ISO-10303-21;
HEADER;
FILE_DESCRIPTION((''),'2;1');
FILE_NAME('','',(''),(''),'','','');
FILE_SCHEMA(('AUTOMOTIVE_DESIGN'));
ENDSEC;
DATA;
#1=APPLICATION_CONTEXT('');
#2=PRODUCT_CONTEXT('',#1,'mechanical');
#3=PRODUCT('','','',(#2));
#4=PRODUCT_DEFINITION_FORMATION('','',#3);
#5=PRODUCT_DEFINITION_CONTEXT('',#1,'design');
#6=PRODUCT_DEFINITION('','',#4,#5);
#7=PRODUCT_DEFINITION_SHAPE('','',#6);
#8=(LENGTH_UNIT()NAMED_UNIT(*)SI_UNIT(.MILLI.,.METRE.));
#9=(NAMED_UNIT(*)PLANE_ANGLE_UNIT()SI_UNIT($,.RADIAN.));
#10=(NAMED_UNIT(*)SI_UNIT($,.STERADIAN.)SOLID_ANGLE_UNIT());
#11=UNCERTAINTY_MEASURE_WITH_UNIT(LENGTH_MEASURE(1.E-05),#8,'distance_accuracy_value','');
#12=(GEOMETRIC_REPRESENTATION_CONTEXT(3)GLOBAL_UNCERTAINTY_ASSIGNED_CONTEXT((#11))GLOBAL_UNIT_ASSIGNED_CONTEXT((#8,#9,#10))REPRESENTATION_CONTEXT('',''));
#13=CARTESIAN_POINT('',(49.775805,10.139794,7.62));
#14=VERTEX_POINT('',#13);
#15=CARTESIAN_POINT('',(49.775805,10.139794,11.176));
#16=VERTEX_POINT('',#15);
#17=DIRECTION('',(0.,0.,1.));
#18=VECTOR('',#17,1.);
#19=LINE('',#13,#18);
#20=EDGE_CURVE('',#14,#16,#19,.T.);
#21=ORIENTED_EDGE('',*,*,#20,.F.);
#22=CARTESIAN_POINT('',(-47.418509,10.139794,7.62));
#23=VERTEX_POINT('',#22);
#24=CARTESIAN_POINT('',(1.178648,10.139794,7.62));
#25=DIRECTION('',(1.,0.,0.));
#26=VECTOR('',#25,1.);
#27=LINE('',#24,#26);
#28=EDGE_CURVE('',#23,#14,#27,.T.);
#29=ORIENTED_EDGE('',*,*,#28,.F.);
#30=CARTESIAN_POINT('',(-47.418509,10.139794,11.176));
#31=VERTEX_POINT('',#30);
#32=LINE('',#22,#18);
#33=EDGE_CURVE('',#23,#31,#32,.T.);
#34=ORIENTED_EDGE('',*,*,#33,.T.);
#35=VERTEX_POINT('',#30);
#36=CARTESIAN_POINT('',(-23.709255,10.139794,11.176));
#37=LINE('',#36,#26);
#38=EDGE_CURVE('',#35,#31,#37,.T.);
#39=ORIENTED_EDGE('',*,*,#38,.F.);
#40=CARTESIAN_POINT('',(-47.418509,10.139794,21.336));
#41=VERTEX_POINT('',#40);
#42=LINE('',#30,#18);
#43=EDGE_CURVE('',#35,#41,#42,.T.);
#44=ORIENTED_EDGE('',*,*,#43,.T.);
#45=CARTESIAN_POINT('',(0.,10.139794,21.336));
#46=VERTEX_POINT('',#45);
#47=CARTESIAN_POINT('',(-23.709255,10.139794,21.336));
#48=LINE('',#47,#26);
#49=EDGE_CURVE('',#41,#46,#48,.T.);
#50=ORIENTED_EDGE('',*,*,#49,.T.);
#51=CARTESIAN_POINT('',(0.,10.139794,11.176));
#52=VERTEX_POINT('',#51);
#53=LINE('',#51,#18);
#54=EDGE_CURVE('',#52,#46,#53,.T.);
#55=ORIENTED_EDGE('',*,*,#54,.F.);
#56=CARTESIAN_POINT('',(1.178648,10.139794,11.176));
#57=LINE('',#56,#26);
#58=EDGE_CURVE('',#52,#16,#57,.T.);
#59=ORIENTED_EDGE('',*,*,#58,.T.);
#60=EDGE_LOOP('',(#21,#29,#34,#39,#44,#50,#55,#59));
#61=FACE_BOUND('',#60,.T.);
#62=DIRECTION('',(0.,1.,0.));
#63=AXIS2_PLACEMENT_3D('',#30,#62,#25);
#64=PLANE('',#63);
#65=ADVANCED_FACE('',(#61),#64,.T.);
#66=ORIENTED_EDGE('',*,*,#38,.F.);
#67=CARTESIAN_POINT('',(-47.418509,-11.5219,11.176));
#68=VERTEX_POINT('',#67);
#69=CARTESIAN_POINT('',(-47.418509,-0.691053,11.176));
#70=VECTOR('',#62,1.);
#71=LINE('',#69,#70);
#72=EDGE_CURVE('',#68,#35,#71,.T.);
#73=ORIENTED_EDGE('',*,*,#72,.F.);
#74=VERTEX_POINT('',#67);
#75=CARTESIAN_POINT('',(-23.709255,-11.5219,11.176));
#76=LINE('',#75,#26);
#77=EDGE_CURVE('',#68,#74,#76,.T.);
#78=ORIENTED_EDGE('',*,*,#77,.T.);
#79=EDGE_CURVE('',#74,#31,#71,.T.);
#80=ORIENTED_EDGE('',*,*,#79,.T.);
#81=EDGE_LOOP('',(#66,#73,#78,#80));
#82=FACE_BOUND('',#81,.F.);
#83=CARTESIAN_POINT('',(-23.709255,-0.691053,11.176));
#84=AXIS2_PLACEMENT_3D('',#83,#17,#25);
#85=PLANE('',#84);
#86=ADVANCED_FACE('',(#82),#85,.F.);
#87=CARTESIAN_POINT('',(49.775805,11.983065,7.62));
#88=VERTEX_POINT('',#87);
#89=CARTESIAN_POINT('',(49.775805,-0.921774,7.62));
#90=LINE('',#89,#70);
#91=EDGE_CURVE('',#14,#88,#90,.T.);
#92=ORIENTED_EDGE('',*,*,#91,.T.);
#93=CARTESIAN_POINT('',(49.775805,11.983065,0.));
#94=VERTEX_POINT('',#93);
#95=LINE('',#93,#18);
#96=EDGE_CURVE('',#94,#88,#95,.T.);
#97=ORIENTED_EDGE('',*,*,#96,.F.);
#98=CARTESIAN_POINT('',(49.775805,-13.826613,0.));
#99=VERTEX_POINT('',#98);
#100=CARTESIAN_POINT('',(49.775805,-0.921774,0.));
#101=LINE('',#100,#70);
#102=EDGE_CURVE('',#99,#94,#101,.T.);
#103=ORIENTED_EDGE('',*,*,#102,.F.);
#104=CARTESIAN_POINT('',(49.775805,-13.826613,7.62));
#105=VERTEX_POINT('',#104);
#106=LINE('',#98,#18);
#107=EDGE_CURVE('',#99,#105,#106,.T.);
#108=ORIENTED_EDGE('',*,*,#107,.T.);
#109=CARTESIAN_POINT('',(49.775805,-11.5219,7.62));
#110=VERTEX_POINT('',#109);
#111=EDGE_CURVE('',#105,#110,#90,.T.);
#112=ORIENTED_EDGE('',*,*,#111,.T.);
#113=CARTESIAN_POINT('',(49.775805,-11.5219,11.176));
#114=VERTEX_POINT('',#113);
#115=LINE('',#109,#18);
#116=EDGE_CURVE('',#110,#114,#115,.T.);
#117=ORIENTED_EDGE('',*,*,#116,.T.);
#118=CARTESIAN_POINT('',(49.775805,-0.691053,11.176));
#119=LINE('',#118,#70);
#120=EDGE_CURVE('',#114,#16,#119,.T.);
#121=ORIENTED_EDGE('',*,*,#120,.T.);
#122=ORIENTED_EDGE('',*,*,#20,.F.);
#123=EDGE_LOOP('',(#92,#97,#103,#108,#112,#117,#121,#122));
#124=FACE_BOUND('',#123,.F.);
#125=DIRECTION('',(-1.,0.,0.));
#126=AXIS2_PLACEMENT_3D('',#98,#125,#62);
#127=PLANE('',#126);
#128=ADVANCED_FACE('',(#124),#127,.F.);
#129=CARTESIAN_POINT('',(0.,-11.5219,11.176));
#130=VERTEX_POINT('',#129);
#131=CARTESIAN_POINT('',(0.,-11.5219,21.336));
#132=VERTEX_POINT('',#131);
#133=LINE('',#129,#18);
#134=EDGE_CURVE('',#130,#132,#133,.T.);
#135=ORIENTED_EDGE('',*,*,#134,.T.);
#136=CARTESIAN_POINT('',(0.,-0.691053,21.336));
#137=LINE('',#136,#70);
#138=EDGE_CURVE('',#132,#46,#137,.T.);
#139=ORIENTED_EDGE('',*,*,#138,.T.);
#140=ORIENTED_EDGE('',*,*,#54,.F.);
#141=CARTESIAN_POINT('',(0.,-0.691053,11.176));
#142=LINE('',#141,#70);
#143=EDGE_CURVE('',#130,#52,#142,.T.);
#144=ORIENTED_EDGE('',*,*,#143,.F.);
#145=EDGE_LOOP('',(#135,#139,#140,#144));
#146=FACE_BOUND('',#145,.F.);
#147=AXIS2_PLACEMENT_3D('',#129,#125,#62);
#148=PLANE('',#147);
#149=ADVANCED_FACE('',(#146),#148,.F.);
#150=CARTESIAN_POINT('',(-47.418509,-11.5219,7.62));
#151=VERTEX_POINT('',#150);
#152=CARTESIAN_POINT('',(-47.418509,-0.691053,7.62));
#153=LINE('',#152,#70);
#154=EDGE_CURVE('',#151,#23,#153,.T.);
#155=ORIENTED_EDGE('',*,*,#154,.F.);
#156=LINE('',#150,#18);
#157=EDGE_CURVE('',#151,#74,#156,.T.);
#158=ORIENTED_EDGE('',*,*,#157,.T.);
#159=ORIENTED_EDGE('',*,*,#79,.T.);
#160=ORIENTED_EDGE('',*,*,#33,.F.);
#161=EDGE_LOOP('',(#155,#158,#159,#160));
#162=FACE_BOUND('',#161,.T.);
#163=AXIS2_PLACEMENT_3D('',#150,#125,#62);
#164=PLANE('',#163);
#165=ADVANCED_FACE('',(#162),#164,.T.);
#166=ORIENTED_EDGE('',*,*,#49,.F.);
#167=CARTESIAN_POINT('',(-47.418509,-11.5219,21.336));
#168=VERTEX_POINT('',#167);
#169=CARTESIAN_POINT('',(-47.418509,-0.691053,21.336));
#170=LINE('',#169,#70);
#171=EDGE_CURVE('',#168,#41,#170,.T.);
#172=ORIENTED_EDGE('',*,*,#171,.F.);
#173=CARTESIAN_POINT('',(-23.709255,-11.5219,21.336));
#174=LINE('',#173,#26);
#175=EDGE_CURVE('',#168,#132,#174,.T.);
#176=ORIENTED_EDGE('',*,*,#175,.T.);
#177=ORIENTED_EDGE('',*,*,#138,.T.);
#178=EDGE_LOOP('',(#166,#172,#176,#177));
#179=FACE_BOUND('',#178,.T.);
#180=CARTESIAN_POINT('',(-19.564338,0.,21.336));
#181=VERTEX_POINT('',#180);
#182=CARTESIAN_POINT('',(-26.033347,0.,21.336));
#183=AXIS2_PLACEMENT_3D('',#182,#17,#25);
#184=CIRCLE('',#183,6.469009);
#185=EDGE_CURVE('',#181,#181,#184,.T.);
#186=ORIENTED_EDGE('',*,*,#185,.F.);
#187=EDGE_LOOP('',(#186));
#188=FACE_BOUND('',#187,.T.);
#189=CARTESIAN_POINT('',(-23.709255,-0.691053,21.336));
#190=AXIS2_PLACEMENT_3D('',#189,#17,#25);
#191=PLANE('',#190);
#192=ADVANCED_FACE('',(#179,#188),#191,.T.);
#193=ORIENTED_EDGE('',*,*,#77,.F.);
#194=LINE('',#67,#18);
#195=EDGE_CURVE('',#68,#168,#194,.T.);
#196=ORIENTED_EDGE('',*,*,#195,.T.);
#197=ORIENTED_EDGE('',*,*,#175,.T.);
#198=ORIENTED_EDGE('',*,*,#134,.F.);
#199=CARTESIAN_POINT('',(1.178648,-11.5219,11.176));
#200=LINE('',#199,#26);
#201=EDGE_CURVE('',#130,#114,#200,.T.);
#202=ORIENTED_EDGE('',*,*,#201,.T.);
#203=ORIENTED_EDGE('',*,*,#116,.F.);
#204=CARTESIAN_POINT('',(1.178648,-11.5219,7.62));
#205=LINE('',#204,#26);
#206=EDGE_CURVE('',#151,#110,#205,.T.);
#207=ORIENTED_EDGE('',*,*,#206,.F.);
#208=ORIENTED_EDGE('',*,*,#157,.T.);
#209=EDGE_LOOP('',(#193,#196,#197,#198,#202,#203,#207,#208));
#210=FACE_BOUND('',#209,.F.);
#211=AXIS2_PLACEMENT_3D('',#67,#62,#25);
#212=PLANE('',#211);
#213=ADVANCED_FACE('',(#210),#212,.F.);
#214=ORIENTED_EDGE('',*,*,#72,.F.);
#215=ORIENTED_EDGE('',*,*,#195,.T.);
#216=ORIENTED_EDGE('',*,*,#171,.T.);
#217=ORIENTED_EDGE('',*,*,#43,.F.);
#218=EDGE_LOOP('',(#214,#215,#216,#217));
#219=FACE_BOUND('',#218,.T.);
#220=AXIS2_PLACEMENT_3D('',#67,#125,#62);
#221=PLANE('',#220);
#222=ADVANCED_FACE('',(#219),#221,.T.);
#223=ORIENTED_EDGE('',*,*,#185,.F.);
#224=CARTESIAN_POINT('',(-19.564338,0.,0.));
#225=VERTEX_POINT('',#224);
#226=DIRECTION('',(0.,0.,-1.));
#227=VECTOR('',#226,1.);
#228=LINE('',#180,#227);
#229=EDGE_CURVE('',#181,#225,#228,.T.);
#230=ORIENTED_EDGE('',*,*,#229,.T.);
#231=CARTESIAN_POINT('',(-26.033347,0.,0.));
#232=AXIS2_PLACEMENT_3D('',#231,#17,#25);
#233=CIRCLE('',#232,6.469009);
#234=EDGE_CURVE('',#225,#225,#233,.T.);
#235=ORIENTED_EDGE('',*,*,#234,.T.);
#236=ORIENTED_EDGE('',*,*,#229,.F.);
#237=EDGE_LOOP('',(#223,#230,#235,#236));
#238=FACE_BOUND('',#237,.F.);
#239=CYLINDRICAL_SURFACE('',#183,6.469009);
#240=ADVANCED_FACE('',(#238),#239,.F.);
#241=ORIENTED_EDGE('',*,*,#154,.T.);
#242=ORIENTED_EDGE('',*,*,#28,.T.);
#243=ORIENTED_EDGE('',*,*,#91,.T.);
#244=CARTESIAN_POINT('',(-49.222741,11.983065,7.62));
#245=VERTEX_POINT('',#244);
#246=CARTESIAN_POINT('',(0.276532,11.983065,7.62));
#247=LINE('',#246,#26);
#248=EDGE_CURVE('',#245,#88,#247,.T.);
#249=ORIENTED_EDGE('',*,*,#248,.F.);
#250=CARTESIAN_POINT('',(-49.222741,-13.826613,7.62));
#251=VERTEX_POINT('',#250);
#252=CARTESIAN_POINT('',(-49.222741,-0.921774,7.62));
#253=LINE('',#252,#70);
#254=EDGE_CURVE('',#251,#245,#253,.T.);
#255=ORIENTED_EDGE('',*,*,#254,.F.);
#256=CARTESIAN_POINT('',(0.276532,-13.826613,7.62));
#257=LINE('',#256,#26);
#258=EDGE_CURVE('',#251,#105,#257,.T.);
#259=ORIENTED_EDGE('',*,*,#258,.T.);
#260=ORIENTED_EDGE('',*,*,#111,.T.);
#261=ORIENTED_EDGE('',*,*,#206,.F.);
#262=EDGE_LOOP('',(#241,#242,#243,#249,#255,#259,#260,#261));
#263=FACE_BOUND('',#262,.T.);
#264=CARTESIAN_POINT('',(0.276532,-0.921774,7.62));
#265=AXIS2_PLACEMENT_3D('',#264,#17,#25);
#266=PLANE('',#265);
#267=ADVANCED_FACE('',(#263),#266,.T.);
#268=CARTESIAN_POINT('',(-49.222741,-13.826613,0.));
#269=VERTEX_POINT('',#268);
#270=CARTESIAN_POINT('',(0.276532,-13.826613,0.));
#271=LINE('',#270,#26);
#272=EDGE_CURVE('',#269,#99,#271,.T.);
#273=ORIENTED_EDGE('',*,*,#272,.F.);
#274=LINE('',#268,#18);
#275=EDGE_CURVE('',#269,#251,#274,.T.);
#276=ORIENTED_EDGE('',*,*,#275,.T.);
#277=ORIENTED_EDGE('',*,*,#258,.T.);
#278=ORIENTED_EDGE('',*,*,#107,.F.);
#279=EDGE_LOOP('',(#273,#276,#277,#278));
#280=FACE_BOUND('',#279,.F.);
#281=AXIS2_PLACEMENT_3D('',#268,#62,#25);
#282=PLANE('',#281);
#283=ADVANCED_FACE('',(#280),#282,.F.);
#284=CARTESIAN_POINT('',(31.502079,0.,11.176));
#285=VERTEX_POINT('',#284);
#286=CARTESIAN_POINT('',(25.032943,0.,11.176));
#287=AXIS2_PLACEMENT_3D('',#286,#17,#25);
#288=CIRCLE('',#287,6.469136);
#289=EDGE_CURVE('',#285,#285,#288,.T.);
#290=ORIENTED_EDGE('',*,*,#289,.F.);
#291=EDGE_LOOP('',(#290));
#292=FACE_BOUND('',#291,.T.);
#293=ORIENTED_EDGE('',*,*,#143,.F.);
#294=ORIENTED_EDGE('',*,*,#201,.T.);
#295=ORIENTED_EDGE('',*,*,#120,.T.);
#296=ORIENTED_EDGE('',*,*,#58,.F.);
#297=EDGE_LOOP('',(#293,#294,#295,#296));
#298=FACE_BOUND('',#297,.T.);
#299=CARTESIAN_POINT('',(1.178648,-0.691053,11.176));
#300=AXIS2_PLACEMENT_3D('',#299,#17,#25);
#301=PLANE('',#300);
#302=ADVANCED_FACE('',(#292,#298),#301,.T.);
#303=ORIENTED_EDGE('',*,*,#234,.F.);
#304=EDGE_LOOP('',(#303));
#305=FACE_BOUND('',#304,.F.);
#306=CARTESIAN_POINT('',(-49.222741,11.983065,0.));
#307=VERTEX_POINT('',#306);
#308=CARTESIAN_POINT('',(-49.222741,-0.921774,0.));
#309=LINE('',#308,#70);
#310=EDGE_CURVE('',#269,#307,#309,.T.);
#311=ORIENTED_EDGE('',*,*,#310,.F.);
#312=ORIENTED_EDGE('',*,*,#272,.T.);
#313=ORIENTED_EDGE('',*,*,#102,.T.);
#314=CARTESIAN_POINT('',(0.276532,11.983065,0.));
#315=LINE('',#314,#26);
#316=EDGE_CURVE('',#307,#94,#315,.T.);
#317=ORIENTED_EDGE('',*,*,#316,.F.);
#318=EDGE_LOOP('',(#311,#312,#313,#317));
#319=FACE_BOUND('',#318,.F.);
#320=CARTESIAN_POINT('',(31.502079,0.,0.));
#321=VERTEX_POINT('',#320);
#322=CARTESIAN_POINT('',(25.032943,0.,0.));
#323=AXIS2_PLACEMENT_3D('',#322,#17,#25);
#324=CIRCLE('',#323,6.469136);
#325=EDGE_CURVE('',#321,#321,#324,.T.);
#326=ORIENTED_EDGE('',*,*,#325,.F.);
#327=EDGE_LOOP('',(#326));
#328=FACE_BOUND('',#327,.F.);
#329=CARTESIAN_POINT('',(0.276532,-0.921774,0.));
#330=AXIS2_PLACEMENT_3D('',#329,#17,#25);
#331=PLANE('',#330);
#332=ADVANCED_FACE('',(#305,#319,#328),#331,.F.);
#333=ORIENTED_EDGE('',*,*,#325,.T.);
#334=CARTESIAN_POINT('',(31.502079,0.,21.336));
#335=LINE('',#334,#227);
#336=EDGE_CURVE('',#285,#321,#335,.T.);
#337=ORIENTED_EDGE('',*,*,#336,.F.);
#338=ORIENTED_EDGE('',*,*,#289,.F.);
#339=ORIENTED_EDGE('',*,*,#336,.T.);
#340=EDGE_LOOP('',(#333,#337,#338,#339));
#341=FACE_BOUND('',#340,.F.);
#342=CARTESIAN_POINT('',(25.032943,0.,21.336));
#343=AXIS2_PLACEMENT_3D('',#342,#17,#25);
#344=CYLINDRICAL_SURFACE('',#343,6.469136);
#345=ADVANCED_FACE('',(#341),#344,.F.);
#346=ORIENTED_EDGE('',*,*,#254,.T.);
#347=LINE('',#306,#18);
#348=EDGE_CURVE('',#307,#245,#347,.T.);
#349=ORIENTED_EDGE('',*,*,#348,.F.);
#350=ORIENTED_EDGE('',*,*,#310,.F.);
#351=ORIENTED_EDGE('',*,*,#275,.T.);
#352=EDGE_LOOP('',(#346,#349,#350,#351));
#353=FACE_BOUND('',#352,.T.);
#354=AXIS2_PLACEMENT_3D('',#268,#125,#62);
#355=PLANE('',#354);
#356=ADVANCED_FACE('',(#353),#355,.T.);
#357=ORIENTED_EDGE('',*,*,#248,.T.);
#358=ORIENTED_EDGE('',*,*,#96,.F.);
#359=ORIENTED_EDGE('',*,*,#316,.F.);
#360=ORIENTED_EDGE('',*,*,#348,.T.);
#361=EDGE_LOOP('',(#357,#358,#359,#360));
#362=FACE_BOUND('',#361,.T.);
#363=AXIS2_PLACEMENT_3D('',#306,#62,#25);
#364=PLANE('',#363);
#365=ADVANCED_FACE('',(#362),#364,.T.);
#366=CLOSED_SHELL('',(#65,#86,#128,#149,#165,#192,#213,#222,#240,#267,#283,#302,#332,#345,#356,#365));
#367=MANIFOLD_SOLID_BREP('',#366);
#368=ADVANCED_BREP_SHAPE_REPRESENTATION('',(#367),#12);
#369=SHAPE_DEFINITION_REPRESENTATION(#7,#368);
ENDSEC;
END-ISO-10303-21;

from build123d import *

# Parameters (mm, degrees)
F0_W     = 98.998546
F0_H     = 25.809678
F1_DEPTH = 7.62
F2_W     = 97.194314
F2_H     = 21.661694
F3_DEPTH = 3.556
F4_W     = 47.418509
F4_H     = 21.661694
F5_DEPTH = 10.16
F6_R     = 6.469009
F6_R_2   = 6.469136
F7_DEPTH = 21.844


with BuildPart() as f1:
    # F0 (on Top) → F1 (new body)
    with BuildSketch(Plane.XY):
        with Locations((0.276532, -0.921774)):
            Rectangle(F0_W, F0_H)
    extrude(amount=F1_DEPTH)

    # F2 (on face) → F3 (join)
    with BuildSketch(Plane.XY.offset(7.62)):
        with Locations((1.178648, -0.691053)):
            Rectangle(F2_W, F2_H)
    extrude(amount=F3_DEPTH)

    # F4 (on face) → F5 (join)
    with BuildSketch(Plane.XY.offset(11.176)):
        with Locations((-23.709255, -0.691053)):
            Rectangle(F4_W, F4_H)
    extrude(amount=F5_DEPTH)

    # F6 (on face) → F7 (cut)
    with BuildSketch(Plane.XY.offset(21.336)):
        with Locations((-26.033347, 0)):
            Circle(F6_R)
        with Locations((25.032943, 0)):
            Circle(F6_R_2)
    extrude(amount=-F7_DEPTH, mode=Mode.SUBTRACT)


solid = f1.part
